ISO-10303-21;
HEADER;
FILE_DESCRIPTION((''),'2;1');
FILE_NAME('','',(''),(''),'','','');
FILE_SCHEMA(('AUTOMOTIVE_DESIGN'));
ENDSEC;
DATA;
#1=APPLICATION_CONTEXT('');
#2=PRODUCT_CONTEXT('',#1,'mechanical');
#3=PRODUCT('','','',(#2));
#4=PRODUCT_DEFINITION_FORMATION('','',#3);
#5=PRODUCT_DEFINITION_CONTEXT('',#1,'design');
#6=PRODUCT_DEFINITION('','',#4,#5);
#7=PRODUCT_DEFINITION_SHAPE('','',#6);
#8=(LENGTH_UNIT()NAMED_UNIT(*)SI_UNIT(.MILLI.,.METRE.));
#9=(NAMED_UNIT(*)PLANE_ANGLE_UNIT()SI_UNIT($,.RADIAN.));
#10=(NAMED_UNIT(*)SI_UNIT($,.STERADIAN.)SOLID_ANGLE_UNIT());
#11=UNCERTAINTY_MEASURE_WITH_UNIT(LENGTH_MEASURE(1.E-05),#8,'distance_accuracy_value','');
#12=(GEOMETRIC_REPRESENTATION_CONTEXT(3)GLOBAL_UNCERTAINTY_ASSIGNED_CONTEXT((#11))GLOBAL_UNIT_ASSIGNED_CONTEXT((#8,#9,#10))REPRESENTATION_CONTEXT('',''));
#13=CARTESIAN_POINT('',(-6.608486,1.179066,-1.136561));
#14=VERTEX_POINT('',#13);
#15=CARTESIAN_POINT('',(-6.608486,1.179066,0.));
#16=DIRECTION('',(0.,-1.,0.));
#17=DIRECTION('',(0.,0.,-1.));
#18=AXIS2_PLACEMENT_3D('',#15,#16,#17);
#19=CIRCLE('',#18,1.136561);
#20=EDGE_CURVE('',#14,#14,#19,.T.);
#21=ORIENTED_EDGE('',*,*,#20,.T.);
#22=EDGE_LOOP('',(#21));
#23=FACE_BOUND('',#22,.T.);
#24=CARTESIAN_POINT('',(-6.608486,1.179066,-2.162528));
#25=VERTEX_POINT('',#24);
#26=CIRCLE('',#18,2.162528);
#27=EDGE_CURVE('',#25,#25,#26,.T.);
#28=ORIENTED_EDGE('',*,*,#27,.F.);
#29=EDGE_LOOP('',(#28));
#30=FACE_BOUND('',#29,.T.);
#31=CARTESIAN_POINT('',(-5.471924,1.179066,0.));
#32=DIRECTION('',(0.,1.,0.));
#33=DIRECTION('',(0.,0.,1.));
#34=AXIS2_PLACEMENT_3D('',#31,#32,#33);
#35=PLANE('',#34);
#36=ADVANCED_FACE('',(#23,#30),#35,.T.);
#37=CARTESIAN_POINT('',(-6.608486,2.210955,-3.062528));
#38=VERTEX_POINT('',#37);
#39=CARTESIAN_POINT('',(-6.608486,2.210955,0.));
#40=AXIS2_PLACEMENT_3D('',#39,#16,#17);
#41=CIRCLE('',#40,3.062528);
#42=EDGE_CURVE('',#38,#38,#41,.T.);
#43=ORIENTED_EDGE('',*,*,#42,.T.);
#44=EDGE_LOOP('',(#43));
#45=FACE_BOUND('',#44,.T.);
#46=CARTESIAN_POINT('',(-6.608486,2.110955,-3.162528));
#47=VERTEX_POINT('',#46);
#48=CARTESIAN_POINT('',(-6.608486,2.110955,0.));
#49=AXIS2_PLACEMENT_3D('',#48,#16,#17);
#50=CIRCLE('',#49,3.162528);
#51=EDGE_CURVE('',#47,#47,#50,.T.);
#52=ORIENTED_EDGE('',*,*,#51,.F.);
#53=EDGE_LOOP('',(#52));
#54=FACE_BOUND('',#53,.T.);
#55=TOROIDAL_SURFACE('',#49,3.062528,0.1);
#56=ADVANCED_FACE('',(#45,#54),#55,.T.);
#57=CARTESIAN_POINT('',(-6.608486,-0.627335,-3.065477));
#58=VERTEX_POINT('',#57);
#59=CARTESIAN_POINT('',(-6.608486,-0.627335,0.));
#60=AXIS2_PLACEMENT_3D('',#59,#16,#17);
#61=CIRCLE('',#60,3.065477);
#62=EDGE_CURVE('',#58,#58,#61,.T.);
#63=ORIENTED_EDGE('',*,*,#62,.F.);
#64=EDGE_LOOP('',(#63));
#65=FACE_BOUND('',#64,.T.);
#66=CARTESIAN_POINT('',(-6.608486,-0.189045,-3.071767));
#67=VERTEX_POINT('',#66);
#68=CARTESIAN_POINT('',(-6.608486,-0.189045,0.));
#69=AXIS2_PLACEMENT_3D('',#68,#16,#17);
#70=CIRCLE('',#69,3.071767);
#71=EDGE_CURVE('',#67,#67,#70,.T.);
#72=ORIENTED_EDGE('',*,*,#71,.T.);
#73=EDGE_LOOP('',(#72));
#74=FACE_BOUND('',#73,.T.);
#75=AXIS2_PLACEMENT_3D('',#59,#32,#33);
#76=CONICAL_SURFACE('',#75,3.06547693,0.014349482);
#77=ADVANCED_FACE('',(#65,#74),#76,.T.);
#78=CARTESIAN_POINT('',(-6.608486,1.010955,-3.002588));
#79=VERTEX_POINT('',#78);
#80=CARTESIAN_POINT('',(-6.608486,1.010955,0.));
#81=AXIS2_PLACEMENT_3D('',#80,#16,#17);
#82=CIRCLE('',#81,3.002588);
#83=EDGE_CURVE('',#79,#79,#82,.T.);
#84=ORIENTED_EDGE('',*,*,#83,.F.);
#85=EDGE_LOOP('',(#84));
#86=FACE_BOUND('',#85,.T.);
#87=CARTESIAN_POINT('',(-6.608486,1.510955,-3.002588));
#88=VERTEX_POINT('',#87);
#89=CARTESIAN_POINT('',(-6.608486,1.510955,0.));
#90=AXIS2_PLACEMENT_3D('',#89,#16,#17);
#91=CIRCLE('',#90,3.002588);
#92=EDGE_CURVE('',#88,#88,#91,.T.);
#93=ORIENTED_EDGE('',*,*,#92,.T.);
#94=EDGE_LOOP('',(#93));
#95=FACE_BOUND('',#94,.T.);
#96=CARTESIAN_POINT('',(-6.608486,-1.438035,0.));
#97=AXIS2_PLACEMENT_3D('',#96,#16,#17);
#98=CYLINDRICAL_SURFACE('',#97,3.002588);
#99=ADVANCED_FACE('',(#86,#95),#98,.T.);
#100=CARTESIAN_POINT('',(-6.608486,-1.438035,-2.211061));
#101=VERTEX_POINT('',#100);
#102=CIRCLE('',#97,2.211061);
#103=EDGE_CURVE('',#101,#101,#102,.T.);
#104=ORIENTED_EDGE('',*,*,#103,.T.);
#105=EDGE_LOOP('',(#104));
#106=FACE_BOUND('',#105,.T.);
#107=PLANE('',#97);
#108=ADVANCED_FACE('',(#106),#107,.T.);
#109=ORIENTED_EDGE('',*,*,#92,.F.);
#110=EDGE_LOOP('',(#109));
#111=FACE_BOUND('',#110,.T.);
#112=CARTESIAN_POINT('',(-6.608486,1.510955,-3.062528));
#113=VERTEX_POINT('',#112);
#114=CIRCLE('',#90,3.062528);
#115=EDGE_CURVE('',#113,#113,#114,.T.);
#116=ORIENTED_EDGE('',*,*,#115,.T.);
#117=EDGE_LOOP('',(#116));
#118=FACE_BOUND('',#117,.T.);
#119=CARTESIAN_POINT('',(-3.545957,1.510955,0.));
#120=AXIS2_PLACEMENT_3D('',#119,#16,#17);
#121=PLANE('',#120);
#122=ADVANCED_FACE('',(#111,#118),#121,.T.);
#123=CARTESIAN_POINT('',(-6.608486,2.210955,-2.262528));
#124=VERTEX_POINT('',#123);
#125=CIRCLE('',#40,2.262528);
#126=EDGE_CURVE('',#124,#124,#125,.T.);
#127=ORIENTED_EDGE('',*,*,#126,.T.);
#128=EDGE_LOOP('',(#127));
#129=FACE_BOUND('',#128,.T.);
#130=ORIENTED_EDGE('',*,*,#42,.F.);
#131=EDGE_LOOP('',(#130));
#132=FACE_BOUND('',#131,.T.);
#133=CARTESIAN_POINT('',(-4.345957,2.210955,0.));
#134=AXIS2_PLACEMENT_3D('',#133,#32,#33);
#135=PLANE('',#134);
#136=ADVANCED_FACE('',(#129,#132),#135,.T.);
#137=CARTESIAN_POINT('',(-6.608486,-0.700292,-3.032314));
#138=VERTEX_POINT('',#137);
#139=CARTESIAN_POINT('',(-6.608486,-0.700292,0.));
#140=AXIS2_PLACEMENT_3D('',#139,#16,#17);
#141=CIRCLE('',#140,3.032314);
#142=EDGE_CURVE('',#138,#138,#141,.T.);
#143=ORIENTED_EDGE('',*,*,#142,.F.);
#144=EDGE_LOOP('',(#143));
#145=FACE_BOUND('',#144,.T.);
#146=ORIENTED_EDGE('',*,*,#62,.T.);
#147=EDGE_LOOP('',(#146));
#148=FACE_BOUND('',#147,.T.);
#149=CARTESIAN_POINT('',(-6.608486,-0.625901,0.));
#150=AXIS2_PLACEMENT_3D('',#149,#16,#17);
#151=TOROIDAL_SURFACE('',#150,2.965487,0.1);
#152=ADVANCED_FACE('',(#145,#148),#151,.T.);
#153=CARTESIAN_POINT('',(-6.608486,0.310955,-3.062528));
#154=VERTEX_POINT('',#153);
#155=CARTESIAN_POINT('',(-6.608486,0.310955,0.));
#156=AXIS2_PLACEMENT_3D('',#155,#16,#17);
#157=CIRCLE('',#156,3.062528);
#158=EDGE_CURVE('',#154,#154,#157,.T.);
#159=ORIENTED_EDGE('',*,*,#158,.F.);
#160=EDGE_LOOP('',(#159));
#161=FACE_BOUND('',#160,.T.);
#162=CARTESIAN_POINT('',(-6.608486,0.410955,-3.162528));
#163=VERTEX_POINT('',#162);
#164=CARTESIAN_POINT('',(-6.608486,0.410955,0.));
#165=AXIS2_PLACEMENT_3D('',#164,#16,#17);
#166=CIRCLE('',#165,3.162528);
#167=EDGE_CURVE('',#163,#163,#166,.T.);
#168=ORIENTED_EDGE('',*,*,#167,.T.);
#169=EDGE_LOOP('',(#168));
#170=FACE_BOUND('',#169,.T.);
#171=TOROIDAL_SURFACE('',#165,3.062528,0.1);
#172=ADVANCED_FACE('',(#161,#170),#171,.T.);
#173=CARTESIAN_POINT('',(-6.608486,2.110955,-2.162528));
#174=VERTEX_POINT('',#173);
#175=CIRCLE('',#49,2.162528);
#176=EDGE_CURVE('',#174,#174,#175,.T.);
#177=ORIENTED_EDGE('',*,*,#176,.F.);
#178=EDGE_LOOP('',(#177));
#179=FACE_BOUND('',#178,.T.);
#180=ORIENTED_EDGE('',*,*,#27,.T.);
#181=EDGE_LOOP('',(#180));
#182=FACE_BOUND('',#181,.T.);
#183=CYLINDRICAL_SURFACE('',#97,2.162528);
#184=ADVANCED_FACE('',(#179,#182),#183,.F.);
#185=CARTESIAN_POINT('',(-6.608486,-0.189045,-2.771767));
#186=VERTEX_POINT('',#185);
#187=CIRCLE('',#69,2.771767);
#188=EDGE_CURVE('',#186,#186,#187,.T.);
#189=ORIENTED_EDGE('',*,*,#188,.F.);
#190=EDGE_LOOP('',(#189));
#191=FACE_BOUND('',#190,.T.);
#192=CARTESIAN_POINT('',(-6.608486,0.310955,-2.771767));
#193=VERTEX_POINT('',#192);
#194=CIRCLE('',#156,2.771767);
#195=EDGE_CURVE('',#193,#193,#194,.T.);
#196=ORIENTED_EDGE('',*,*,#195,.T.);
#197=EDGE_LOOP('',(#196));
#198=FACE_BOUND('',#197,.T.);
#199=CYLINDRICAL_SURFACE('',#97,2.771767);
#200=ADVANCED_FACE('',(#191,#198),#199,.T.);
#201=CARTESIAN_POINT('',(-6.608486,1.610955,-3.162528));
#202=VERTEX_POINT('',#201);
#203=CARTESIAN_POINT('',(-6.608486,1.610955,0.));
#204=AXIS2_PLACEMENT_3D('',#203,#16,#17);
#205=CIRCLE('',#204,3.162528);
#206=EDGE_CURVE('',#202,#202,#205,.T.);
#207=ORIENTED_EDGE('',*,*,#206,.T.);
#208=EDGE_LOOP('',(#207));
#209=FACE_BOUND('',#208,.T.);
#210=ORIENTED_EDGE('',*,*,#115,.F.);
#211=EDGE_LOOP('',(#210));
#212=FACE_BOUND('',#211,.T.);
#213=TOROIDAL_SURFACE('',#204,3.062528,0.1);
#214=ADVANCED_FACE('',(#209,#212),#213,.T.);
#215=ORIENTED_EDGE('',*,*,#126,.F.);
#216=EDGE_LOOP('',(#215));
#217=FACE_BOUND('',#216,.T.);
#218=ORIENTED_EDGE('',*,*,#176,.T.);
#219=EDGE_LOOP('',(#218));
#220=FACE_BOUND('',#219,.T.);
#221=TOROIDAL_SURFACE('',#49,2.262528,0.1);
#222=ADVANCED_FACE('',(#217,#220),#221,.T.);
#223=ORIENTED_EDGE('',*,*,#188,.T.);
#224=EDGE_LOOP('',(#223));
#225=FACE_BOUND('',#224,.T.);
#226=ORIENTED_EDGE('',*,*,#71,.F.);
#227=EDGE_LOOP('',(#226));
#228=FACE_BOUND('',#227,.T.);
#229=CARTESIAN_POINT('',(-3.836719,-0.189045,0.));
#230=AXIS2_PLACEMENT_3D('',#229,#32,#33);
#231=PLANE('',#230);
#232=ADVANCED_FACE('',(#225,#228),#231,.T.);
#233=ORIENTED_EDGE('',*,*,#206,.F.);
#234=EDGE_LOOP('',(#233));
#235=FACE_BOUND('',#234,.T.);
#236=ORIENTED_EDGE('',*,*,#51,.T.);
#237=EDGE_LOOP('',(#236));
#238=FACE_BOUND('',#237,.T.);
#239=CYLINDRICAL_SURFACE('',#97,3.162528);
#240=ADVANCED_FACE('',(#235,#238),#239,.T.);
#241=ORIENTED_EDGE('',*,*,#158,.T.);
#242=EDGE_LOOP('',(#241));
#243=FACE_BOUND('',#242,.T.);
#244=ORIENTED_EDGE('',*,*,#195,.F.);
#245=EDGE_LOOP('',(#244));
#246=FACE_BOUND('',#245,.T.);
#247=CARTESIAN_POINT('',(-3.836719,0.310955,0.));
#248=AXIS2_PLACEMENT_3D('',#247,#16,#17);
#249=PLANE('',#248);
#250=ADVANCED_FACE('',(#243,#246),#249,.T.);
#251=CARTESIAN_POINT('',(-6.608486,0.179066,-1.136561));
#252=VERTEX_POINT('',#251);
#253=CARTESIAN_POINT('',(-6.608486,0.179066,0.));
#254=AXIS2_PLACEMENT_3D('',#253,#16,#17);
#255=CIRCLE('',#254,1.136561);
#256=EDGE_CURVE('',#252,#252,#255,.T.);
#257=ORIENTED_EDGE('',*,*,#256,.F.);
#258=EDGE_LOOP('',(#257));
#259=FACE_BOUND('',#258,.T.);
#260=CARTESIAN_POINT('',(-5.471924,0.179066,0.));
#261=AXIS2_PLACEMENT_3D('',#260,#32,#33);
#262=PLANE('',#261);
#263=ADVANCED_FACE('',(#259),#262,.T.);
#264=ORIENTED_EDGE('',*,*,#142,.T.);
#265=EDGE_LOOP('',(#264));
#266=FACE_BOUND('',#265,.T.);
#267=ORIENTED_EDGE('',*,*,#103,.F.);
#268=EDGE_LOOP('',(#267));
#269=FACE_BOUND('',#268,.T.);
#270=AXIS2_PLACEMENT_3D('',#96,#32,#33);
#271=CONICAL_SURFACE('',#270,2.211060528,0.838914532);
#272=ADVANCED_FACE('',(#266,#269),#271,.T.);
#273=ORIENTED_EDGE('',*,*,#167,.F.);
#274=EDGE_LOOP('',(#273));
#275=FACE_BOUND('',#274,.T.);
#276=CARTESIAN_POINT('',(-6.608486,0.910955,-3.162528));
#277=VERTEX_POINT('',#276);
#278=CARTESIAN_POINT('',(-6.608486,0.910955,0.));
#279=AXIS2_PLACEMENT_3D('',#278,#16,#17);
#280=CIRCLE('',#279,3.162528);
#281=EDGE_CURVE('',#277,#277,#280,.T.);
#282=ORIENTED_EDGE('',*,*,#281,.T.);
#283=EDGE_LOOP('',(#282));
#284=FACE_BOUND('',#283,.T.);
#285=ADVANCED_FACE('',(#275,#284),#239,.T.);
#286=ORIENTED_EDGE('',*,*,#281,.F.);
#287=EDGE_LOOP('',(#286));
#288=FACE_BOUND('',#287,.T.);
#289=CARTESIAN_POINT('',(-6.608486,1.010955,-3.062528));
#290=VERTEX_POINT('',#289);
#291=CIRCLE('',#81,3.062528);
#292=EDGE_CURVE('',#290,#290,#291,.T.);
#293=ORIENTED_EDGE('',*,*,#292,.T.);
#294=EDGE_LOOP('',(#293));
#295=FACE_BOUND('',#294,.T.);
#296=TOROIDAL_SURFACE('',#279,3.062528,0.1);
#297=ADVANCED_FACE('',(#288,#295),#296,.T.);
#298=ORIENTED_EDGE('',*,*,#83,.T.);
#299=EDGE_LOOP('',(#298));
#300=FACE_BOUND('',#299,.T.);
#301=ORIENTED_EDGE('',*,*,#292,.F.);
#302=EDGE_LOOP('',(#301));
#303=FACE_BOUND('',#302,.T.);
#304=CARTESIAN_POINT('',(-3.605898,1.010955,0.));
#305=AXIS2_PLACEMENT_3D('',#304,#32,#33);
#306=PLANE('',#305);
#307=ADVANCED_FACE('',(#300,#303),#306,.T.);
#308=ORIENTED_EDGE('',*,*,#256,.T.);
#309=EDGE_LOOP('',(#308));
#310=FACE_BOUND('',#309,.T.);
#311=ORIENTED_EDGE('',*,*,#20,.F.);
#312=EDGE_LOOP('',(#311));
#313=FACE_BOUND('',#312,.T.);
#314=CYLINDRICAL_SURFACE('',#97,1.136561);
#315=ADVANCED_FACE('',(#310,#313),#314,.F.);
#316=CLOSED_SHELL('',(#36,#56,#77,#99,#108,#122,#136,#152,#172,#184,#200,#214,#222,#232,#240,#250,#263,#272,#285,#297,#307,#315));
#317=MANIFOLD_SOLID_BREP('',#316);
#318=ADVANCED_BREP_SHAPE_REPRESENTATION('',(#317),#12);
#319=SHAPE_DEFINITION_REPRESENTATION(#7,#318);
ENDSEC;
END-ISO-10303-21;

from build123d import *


with BuildPart() as part:
    # Sketch1 → Revolve2 (revolve)
    with BuildSketch(Plane.XY, mode=Mode.PRIVATE) as revolve2_sk:
        with BuildLine():
            Line((-3.445957373, 2.110955011), (-3.445957373, 1.610955011))
            ThreePointArc((-3.445957373, 1.610955011), (-3.475246695, 1.540244333), (-3.545957373, 1.510955011))
            Line((-3.545957373, 1.510955011), (-3.605897774, 1.510955011))
            Line((-3.605897774, 1.510955011), (-3.605897774, 1.010955011))
            Line((-3.605897774, 1.010955011), (-3.545957373, 1.010955011))
            ThreePointArc((-3.545957373, 1.010955011), (-3.475246695, 0.981665689), (-3.445957373, 0.910955011))
            Line((-3.445957373, 0.910955011), (-3.445957373, 0.410955011))
            ThreePointArc((-3.445957373, 0.410955011), (-3.475246695, 0.340244333), (-3.545957373, 0.310955011))
            Line((-3.545957373, 0.310955011), (-3.836719096, 0.310955011))
            Line((-3.836719096, 0.310955011), (-3.836719096, -0.189044989))
            Line((-3.836719096, -0.189044989), (-3.536719096, -0.189044989))
            Line((-3.536719096, -0.189044989), (-3.543008768, -0.6273354))
            ThreePointArc((-3.543008768, -0.6273354), (-3.551962012, -0.667281206), (-3.576171401, -0.700292318))
            Line((-3.576171401, -0.700292318), (-4.397425171, -1.438034543))
            Line((-4.397425171, -1.438034543), (-6.608485699, -1.438034543))
            Line((-6.608485699, -1.438034543), (-6.608485699, 0.179065862))
            Line((-6.608485699, 0.179065862), (-5.471924333, 0.179065862))
            Line((-5.471924333, 0.179065862), (-5.471924333, 1.179065862))
            Line((-5.471924333, 1.179065862), (-4.445957373, 1.179065862))
            Line((-4.445957373, 1.179065862), (-4.445957373, 2.110955011))
            ThreePointArc((-4.445957373, 2.110955011), (-4.416668051, 2.181665689), (-4.345957373, 2.210955011))
            Line((-4.345957373, 2.210955011), (-3.545957373, 2.210955011))
            ThreePointArc((-3.545957373, 2.210955011), (-3.475246695, 2.181665689), (-3.445957373, 2.110955011))
        make_face()
    revolve(revolve2_sk.sketch.rotate(Axis((-6.608485699, -1.438034543, 0), (0, 1, 0)), 90), axis=Axis((-6.608485699, -1.438034543, 0), (0, 1, 0)))


solid = part.part
